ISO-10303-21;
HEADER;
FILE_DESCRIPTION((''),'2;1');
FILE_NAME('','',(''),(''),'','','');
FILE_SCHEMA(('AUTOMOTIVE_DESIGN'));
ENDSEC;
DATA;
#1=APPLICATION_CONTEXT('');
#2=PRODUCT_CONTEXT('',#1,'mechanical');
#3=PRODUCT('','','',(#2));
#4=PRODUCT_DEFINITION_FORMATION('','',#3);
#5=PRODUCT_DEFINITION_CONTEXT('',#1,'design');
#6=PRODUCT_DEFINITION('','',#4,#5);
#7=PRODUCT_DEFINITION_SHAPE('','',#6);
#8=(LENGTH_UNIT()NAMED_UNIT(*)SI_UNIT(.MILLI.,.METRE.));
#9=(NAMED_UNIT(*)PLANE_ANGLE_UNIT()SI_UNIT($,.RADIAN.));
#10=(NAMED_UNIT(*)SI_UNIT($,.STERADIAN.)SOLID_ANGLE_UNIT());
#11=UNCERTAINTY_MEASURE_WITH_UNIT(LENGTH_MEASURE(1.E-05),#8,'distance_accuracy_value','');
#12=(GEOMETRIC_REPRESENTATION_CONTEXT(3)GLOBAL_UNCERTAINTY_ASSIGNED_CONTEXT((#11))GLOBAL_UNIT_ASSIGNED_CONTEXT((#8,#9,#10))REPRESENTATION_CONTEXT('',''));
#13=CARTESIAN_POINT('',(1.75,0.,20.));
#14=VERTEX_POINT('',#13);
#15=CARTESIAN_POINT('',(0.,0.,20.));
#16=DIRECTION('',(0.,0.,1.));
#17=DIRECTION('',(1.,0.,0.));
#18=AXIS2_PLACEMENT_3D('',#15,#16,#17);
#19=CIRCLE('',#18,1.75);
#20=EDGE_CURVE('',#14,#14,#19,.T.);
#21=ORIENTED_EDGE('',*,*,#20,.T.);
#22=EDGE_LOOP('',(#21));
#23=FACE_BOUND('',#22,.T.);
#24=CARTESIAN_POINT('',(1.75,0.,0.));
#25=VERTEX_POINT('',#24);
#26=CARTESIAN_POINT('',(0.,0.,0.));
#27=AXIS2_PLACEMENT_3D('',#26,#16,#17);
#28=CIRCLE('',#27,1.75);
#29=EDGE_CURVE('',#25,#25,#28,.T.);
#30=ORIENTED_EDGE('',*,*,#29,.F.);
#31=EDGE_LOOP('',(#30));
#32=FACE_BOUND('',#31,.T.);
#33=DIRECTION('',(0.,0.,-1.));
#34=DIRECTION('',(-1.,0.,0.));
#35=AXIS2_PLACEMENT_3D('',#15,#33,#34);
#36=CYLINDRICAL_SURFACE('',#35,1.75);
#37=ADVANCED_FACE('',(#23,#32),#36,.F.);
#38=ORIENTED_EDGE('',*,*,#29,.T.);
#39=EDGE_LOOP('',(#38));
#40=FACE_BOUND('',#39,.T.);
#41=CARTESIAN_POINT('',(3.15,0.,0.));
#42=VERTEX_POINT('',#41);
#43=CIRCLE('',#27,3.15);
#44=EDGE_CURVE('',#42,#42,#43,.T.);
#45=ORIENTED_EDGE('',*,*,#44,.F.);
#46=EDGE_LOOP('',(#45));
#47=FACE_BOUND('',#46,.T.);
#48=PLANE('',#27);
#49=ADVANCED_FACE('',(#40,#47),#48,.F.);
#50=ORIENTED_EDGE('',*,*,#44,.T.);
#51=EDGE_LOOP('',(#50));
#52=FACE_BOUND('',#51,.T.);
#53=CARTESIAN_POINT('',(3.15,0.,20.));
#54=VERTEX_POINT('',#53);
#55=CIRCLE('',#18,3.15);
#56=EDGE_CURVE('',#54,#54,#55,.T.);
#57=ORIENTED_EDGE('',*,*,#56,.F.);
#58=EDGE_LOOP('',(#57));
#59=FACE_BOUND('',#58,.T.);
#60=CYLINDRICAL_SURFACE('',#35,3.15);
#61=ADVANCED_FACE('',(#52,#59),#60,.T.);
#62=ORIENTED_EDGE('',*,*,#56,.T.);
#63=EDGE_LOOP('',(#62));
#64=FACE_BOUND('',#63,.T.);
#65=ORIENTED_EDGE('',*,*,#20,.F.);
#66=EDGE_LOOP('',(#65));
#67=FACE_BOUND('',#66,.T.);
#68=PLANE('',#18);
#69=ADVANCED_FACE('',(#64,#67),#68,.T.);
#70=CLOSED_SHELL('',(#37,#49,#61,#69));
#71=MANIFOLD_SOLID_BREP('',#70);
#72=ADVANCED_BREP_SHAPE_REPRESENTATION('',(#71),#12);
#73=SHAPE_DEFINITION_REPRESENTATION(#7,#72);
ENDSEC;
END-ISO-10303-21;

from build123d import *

# Parameters (mm, degrees)
SZKIC1_R                    = 3.15
SZKIC1_R_2                  = 1.75
DODANIE_WYCI_GNI_CIE1_DEPTH = 20


with BuildPart() as part:
    # Szkic1 → Dodanie-wyciągnięcie1 (new body)
    with BuildSketch(Plane.XY):
        Circle(SZKIC1_R)
        Circle(SZKIC1_R_2, mode=Mode.SUBTRACT)
    extrude(amount=DODANIE_WYCI_GNI_CIE1_DEPTH)


solid = part.part
